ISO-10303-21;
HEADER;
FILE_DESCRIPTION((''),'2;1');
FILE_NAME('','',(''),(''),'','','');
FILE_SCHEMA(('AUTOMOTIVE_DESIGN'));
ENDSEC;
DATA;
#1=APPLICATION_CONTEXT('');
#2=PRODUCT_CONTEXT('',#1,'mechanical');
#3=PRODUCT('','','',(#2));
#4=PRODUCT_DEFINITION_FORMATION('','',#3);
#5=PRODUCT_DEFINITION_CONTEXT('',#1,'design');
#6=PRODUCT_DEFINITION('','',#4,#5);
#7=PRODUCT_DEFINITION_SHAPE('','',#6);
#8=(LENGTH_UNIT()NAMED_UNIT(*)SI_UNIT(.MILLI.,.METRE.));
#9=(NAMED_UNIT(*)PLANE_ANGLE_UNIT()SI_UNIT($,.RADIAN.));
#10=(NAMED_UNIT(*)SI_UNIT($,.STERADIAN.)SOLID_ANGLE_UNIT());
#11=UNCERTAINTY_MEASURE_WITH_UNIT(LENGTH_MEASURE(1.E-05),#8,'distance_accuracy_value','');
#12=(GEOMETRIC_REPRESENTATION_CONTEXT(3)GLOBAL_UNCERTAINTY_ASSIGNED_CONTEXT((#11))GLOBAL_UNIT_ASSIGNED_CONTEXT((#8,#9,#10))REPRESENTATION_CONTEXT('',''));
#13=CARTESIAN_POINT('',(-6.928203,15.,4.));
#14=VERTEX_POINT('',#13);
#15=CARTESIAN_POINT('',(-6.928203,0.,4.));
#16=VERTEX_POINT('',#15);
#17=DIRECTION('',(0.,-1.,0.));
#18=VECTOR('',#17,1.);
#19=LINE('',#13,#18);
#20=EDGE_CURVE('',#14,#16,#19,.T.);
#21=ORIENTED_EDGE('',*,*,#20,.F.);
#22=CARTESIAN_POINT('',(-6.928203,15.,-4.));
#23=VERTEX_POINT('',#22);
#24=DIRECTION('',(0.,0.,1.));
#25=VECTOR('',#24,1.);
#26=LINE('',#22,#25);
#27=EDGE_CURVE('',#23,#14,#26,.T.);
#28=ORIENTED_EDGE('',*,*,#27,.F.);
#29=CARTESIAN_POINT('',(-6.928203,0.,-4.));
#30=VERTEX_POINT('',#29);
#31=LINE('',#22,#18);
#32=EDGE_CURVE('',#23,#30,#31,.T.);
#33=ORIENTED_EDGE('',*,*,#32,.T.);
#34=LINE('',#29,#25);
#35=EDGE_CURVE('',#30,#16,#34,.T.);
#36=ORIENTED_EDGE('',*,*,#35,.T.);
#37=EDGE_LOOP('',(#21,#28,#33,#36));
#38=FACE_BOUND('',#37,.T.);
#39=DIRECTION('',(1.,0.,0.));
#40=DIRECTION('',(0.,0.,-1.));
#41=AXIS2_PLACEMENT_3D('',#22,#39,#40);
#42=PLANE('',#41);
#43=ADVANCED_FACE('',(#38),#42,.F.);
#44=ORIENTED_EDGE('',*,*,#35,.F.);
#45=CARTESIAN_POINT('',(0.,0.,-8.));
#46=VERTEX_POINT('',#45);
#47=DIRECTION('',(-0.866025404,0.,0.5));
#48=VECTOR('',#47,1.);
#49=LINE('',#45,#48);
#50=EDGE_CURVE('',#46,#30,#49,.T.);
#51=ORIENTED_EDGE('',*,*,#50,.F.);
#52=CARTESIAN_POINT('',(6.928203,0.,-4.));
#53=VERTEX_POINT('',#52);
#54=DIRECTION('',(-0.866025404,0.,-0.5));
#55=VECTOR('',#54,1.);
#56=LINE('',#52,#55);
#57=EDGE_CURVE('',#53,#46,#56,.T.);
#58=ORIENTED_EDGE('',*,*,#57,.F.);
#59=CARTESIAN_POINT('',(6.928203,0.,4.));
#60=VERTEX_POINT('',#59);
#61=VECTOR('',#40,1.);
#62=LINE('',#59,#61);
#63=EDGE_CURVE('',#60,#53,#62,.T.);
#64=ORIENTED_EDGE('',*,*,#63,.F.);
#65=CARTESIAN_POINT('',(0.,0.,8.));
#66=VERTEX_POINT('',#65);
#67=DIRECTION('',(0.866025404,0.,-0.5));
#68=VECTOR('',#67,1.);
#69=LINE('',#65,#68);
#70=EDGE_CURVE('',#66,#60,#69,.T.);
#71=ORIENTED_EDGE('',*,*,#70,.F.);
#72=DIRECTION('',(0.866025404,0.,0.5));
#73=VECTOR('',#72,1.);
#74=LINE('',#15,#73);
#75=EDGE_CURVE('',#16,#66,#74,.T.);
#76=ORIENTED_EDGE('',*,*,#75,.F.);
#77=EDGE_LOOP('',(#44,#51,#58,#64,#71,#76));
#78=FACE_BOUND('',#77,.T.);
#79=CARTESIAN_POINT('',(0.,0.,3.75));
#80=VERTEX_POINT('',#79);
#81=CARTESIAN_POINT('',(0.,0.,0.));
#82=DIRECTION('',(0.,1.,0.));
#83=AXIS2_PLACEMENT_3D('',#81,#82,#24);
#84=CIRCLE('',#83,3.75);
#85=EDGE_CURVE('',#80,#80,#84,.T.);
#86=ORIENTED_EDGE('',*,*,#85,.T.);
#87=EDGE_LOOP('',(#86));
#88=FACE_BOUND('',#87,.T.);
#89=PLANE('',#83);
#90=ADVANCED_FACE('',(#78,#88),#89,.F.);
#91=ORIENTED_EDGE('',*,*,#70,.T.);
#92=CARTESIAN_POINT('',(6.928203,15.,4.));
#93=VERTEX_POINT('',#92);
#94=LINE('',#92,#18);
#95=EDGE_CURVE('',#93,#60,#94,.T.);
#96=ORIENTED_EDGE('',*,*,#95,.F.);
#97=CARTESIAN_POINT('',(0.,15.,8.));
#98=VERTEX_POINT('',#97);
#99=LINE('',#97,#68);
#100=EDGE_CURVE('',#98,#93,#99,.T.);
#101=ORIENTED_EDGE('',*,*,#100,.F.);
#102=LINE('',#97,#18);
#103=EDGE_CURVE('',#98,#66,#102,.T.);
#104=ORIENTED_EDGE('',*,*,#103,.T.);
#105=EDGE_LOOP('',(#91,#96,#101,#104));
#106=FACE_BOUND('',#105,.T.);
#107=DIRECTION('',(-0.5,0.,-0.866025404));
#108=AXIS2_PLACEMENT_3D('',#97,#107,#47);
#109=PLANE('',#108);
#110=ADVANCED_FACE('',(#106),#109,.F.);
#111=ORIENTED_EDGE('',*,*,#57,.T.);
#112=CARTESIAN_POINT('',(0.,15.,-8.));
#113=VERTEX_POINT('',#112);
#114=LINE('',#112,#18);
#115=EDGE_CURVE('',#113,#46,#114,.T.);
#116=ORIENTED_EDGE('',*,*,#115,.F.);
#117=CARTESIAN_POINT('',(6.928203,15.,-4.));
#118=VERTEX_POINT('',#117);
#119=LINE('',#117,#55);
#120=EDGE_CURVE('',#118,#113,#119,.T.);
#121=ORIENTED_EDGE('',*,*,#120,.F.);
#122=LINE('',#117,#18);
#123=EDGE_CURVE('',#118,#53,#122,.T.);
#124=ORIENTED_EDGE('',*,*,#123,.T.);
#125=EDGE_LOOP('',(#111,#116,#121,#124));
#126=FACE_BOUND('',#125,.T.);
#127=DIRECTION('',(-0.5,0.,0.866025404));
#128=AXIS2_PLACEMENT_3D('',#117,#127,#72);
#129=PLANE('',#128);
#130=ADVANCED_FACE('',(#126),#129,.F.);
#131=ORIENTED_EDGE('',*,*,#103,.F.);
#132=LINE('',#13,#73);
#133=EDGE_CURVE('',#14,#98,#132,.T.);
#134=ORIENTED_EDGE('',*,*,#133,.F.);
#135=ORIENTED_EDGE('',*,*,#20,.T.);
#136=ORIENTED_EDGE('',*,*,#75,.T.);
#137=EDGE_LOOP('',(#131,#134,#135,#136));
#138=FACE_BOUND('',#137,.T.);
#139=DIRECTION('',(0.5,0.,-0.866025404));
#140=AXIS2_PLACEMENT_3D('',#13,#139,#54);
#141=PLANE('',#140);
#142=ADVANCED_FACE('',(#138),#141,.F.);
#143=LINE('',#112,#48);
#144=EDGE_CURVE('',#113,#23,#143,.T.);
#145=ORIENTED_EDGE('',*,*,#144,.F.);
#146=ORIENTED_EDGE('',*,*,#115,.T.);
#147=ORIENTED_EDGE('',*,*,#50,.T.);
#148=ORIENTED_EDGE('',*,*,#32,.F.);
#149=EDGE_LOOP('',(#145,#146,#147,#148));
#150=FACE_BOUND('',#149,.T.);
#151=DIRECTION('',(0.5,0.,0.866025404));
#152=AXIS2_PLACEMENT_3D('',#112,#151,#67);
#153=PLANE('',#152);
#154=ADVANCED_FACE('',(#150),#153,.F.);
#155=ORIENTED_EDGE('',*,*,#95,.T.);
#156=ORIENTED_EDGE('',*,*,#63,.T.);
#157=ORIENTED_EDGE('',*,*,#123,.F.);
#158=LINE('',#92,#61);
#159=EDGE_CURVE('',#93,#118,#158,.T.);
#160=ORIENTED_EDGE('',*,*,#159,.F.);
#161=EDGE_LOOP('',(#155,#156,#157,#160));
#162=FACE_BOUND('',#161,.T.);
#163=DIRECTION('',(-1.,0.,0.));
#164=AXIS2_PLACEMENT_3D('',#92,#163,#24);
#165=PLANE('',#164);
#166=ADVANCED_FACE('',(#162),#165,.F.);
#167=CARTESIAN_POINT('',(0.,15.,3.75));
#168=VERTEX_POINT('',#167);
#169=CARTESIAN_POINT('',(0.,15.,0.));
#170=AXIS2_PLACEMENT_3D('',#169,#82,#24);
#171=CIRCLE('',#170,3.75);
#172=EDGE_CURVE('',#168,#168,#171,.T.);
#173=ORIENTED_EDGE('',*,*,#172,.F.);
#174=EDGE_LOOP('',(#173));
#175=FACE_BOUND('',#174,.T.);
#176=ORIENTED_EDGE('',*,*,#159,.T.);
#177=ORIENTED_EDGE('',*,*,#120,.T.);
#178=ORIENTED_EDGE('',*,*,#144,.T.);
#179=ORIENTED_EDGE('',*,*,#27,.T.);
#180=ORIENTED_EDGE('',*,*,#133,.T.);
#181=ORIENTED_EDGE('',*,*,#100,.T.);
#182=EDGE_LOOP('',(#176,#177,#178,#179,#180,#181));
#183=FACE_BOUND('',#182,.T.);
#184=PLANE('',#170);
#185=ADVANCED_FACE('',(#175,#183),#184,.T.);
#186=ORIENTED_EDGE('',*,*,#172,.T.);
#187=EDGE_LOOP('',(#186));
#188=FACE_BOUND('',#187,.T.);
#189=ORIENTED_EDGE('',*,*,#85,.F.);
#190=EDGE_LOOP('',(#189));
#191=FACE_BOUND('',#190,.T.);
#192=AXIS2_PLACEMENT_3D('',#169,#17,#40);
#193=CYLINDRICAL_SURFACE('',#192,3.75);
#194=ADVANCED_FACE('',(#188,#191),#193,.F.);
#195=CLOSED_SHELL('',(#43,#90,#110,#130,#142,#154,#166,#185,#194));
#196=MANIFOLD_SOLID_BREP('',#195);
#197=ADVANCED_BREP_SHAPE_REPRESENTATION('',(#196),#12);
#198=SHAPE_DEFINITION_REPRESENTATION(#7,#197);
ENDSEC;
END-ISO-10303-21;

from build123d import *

# Parameters (mm, degrees)
SKETCH1_R           = 3.75
BOSS_EXTRUDE1_DEPTH = 15


with BuildPart() as part:
    # Sketch1 → Boss-Extrude1 (new body)
    with BuildSketch(Plane(origin=(0, 0, 0), x_dir=(1, 0, 0), z_dir=(0, 1, 0))):
        Polygon((0, 8), (-6.92820323, 4), (-6.92820323, -4), (0, -8), (6.92820323, -4), (6.92820323, 4), align=None)
        with Locations(Location((0, 0, 0), (0, 0, 270))):
            Circle(SKETCH1_R, mode=Mode.SUBTRACT)
    extrude(amount=BOSS_EXTRUDE1_DEPTH)


solid = part.part
